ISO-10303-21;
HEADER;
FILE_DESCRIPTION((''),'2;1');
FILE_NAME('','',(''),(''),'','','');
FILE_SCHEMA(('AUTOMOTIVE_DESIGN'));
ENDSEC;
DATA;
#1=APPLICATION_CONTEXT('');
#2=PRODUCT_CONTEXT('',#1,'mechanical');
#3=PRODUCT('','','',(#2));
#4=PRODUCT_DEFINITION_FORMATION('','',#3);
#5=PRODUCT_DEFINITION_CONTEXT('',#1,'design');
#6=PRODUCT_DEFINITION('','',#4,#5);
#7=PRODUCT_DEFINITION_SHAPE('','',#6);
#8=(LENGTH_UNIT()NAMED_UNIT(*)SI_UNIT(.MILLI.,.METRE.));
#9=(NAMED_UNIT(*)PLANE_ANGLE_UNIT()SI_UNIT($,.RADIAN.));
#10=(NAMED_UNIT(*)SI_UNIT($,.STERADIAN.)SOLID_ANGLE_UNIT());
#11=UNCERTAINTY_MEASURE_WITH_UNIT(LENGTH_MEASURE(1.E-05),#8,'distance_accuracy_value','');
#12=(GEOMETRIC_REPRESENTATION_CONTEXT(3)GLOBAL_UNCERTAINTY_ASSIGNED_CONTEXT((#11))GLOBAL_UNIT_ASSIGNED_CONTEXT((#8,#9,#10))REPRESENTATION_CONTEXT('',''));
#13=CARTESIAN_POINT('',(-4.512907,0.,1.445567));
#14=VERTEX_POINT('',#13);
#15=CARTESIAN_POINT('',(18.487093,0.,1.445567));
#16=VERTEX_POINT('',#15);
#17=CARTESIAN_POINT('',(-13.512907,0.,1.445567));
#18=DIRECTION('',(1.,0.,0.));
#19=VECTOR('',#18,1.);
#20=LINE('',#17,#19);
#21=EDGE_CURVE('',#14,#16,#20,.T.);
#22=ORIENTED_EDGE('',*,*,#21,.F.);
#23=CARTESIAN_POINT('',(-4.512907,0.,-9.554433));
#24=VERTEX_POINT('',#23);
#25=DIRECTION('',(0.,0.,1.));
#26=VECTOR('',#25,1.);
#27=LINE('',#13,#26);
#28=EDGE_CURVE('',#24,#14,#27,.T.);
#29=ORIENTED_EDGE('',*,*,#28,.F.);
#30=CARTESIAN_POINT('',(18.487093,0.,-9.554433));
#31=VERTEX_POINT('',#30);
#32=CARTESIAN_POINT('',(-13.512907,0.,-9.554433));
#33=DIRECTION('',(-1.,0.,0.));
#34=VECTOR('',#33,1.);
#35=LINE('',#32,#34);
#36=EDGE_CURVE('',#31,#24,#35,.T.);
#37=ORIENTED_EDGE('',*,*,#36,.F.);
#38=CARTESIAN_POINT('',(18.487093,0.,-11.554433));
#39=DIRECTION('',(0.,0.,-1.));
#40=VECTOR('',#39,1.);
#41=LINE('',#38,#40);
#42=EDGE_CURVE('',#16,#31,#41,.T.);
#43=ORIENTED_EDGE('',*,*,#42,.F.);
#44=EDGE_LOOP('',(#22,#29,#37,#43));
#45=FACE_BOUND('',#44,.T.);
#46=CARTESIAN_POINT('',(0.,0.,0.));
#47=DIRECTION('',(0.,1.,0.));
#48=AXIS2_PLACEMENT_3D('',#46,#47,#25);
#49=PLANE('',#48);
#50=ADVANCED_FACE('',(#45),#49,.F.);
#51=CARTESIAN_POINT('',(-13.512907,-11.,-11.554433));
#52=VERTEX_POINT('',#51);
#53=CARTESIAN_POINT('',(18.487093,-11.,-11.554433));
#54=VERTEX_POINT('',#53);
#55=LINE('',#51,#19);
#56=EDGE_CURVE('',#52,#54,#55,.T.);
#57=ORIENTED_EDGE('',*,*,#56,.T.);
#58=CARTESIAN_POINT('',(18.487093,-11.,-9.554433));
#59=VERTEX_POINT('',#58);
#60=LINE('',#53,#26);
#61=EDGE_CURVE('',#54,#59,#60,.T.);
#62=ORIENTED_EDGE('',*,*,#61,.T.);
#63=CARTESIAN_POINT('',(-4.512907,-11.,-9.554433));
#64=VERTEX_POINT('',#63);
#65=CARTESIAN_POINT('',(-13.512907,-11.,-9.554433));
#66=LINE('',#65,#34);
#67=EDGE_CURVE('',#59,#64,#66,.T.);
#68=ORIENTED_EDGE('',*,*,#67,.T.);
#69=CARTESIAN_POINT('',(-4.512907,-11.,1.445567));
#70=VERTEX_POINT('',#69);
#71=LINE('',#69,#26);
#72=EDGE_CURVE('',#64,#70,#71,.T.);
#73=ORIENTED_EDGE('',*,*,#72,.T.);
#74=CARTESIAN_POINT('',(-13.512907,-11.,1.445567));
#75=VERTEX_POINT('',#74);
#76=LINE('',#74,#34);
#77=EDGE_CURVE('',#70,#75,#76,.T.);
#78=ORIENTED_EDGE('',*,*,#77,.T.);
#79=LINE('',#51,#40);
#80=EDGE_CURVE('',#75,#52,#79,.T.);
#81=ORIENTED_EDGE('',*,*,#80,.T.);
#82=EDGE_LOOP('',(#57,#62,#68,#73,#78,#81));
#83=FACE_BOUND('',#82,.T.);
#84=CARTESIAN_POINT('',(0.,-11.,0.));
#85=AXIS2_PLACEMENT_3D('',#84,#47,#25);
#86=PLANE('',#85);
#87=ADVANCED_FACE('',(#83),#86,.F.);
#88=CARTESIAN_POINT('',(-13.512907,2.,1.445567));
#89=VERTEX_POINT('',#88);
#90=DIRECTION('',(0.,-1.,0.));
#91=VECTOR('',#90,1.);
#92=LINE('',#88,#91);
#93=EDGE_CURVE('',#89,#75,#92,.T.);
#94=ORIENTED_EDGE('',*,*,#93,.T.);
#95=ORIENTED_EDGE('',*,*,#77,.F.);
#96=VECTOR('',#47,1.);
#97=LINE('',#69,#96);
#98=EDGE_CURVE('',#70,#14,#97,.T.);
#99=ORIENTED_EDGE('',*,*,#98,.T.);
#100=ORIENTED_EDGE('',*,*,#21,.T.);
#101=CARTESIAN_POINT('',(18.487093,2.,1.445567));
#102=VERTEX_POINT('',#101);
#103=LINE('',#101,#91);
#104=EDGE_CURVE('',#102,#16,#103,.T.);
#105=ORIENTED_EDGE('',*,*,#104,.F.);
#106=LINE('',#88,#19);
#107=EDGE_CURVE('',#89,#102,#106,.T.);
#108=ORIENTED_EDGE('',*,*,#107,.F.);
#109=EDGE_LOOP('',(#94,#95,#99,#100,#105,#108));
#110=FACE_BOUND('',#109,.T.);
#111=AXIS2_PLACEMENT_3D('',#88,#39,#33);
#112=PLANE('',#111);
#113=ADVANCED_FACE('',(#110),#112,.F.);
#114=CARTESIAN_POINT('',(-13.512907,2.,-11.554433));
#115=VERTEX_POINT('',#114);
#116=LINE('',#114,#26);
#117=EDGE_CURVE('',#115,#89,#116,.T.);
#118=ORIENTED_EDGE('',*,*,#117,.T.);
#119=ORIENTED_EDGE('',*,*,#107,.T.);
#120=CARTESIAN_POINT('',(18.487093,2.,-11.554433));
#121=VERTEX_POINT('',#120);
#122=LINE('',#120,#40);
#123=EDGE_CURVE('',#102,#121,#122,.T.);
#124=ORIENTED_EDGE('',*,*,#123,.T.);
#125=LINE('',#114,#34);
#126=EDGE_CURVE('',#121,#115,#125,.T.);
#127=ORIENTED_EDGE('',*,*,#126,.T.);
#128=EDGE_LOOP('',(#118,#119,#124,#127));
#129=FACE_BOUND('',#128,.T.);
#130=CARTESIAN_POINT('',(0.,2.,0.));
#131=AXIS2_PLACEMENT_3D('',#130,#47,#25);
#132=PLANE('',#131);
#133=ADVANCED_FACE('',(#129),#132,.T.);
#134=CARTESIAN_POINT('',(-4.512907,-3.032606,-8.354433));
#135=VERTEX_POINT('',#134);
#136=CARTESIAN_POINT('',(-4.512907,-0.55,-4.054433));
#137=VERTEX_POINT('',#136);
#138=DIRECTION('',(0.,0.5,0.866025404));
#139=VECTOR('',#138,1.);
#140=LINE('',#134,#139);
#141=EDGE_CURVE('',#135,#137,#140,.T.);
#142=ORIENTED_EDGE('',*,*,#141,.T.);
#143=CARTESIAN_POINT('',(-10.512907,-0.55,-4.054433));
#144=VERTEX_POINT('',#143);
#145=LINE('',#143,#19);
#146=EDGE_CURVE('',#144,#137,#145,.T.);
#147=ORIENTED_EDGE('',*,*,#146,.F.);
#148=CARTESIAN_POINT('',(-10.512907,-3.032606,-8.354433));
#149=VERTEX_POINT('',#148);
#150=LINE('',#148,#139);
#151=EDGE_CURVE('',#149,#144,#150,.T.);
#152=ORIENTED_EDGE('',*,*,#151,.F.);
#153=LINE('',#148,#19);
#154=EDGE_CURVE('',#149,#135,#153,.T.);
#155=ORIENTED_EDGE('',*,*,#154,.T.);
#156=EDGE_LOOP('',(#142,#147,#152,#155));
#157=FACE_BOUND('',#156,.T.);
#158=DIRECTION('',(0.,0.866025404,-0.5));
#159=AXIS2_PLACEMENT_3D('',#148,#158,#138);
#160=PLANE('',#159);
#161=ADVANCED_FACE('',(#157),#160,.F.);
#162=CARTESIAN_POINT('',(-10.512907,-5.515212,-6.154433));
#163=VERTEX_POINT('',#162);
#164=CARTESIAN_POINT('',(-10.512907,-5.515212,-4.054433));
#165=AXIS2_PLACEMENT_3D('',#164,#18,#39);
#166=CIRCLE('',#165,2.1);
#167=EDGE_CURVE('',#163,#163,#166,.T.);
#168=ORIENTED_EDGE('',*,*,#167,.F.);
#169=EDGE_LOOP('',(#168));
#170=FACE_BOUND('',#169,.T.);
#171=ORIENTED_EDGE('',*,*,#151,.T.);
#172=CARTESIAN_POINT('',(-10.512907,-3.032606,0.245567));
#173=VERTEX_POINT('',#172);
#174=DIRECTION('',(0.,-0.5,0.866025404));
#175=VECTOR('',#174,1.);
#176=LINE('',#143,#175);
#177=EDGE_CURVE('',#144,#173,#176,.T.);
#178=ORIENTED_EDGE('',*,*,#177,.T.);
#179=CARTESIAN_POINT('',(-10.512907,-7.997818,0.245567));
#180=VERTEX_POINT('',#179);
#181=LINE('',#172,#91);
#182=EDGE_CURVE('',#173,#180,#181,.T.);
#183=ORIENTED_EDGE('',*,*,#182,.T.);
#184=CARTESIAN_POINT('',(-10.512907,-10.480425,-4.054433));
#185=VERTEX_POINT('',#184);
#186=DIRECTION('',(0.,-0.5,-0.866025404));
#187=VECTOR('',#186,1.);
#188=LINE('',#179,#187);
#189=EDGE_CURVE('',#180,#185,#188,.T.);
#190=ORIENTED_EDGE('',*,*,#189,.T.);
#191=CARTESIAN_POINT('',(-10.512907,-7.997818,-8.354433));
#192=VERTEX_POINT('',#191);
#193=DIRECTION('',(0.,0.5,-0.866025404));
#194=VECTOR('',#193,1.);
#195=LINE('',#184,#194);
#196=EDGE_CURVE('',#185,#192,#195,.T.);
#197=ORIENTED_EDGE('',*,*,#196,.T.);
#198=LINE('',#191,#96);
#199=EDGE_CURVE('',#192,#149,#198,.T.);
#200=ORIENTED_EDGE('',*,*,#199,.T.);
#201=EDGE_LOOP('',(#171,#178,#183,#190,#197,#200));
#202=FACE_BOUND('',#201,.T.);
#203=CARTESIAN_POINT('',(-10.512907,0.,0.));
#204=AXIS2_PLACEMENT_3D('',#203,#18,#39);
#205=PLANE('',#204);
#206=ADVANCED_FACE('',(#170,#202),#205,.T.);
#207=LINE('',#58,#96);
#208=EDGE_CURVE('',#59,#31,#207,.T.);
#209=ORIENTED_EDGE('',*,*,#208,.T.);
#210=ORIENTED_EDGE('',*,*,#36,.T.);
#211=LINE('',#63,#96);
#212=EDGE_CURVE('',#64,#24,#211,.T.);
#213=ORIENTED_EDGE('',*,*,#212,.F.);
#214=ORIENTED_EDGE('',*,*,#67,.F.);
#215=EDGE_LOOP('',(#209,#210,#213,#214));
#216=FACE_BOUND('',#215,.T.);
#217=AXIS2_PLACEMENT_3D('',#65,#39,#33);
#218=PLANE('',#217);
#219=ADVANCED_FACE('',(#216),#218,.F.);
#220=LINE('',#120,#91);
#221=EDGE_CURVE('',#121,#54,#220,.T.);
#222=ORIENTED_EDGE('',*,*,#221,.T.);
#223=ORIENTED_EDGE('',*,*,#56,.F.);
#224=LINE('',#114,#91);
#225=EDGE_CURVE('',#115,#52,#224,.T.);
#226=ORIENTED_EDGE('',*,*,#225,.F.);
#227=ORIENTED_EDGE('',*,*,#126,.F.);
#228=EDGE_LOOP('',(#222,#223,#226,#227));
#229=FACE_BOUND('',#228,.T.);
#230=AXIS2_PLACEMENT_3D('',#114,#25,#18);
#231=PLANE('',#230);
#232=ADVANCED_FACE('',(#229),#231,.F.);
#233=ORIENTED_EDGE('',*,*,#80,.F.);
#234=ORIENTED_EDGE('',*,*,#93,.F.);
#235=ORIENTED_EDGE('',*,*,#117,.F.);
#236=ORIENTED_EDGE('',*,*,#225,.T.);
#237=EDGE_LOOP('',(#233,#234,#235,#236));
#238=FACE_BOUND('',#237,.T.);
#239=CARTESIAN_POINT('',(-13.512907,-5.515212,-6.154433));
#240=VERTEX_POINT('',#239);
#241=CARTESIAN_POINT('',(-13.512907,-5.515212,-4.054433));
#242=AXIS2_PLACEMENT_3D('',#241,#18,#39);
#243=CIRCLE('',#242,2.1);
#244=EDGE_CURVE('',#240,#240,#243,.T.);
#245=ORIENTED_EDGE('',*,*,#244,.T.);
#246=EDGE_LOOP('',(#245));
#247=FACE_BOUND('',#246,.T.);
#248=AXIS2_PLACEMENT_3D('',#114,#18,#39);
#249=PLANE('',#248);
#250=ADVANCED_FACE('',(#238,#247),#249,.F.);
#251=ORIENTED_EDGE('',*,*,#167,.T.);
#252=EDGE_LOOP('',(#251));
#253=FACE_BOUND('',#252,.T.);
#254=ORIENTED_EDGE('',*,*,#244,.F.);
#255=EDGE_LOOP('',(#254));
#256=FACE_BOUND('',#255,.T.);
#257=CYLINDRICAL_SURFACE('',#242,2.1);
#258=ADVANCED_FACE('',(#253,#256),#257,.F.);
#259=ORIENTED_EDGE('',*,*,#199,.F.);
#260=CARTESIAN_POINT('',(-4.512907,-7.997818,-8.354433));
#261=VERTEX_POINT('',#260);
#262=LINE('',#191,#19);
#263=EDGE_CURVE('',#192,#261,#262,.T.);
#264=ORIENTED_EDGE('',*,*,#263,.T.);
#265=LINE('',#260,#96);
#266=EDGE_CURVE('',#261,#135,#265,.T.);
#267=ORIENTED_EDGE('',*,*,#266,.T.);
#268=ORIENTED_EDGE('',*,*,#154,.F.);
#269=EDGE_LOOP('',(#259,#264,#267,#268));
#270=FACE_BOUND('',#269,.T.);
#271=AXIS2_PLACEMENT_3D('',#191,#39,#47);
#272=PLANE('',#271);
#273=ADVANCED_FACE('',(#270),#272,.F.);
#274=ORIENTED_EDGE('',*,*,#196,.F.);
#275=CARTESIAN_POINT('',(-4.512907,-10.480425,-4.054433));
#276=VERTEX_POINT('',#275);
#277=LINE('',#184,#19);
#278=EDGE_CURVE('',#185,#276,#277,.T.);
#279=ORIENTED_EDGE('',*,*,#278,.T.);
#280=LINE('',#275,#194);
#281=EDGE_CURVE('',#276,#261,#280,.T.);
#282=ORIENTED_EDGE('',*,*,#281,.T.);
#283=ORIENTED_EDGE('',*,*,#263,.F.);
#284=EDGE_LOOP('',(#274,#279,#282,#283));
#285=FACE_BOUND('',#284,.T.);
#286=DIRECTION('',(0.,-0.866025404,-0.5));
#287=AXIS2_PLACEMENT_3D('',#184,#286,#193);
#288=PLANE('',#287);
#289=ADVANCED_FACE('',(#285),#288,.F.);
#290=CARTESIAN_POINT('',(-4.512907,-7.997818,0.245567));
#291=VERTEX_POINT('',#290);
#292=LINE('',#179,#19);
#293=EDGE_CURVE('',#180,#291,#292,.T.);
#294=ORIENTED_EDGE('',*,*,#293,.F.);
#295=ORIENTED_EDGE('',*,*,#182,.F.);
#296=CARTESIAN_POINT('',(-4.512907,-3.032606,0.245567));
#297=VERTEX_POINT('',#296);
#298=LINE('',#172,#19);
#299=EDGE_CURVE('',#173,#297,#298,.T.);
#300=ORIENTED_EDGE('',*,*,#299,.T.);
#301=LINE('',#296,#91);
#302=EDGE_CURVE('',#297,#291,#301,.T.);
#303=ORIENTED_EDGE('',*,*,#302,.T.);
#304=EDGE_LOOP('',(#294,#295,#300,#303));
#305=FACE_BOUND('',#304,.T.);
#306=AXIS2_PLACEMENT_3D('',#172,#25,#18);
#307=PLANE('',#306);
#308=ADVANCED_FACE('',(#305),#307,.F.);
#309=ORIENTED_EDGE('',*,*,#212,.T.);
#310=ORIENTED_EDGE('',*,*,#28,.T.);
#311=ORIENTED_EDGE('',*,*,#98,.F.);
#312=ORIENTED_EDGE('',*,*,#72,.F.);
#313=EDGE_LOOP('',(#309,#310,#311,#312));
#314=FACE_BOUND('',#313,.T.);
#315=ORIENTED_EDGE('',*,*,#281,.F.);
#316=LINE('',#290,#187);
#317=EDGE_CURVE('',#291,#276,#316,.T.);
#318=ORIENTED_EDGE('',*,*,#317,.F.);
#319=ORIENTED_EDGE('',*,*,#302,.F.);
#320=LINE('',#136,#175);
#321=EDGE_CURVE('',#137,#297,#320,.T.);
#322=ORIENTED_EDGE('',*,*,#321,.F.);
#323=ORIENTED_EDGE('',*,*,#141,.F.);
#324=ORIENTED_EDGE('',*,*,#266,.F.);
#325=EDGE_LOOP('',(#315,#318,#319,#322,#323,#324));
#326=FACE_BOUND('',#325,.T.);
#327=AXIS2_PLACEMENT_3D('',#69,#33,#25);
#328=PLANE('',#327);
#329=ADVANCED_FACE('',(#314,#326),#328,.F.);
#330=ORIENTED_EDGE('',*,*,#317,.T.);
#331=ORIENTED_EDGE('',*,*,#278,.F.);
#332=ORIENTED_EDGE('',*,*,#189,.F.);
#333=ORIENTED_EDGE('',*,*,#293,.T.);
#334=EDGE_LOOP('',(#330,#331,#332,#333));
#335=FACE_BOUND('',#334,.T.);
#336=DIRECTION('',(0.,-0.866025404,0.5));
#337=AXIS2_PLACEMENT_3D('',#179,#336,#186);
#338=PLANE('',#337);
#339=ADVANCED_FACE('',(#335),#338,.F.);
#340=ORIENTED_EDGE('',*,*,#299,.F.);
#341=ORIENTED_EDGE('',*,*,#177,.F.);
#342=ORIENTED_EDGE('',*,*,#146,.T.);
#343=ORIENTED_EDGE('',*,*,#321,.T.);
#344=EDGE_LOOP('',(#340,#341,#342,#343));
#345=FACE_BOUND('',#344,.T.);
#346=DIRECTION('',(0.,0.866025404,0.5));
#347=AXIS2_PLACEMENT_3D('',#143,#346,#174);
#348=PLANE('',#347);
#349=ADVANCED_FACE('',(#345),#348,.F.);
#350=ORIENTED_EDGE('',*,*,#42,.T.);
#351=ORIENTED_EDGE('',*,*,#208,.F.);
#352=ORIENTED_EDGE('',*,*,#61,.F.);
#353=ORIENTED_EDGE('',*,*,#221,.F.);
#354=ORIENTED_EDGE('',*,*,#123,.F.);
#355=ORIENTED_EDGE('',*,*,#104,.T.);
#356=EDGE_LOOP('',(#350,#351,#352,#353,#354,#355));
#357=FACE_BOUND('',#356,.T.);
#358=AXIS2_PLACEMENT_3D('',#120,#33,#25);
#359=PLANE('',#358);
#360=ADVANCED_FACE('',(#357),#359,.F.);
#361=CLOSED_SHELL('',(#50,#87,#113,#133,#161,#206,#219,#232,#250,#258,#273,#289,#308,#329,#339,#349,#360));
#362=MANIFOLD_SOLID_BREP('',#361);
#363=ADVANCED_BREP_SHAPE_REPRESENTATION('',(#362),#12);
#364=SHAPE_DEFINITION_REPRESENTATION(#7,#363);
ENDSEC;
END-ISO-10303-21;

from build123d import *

# Parameters (mm, degrees)
SKETCH_1_W          = 32
SKETCH_1_H          = 13
EXTRUDE_1_DEPTH     = 2
SKETCH_2_W          = 32
SKETCH_2_H          = 2
EXTRUDE_2_DEPTH     = 11
SKETCH_3_W          = 9
SKETCH_3_H          = 11
EXTRUDE_3_DEPTH     = 11
CUT_EXTRUDE_1_DEPTH = 6
SKETCH_5_R          = 2.1
CUT_EXTRUDE_2_DEPTH = 3


with BuildPart() as part:
    # 草图1 → 凸台-拉伸1 (new body)
    with BuildSketch(Plane(origin=(0, 0, 0), x_dir=(1, 0, 0), z_dir=(0, 1, 0))):
        with Locations((2.487093154, 5.054433221)):
            Rectangle(SKETCH_1_W, SKETCH_1_H)
    extrude(amount=EXTRUDE_1_DEPTH)

    # 草图2 → 凸台-拉伸2 (add)
    with BuildSketch(Plane(origin=(0, 0, 0), x_dir=(-1, 0, 0), z_dir=(0, -1, 0))):
        with Locations((-2.487093154, 10.554433221)):
            Rectangle(SKETCH_2_W, SKETCH_2_H)
    extrude(amount=EXTRUDE_2_DEPTH)

    # 草图3 → 凸台-拉伸3 (add)
    with BuildSketch(Plane.XZ):
        with Locations((-9.012906846, -4.054433221)):
            Rectangle(SKETCH_3_W, SKETCH_3_H)
    extrude(amount=EXTRUDE_3_DEPTH)

    # 草图4 → 切除-拉伸1 (cut)
    with BuildSketch(Plane(origin=(-4.512906846, 0, 0), x_dir=(0, 0, -1), z_dir=(1, 0, 0))):
        Polygon((4.054433221, -10.48042463), (8.354433221, -7.997818473), (8.354433221, -3.032606158), (4.054433221, -0.55), (-0.245566779, -3.032606158), (-0.245566779, -7.997818473), align=None)
    extrude(amount=-CUT_EXTRUDE_1_DEPTH, mode=Mode.SUBTRACT)

    # 草图5 → 切除-拉伸2 (cut)
    with BuildSketch(Plane(origin=(-10.512906846, 0, 0), x_dir=(0, 0, -1), z_dir=(1, 0, 0))):
        with Locations((4.054433221, -5.515212315)):
            Circle(SKETCH_5_R)
    extrude(amount=-CUT_EXTRUDE_2_DEPTH, mode=Mode.SUBTRACT)


solid = part.part
